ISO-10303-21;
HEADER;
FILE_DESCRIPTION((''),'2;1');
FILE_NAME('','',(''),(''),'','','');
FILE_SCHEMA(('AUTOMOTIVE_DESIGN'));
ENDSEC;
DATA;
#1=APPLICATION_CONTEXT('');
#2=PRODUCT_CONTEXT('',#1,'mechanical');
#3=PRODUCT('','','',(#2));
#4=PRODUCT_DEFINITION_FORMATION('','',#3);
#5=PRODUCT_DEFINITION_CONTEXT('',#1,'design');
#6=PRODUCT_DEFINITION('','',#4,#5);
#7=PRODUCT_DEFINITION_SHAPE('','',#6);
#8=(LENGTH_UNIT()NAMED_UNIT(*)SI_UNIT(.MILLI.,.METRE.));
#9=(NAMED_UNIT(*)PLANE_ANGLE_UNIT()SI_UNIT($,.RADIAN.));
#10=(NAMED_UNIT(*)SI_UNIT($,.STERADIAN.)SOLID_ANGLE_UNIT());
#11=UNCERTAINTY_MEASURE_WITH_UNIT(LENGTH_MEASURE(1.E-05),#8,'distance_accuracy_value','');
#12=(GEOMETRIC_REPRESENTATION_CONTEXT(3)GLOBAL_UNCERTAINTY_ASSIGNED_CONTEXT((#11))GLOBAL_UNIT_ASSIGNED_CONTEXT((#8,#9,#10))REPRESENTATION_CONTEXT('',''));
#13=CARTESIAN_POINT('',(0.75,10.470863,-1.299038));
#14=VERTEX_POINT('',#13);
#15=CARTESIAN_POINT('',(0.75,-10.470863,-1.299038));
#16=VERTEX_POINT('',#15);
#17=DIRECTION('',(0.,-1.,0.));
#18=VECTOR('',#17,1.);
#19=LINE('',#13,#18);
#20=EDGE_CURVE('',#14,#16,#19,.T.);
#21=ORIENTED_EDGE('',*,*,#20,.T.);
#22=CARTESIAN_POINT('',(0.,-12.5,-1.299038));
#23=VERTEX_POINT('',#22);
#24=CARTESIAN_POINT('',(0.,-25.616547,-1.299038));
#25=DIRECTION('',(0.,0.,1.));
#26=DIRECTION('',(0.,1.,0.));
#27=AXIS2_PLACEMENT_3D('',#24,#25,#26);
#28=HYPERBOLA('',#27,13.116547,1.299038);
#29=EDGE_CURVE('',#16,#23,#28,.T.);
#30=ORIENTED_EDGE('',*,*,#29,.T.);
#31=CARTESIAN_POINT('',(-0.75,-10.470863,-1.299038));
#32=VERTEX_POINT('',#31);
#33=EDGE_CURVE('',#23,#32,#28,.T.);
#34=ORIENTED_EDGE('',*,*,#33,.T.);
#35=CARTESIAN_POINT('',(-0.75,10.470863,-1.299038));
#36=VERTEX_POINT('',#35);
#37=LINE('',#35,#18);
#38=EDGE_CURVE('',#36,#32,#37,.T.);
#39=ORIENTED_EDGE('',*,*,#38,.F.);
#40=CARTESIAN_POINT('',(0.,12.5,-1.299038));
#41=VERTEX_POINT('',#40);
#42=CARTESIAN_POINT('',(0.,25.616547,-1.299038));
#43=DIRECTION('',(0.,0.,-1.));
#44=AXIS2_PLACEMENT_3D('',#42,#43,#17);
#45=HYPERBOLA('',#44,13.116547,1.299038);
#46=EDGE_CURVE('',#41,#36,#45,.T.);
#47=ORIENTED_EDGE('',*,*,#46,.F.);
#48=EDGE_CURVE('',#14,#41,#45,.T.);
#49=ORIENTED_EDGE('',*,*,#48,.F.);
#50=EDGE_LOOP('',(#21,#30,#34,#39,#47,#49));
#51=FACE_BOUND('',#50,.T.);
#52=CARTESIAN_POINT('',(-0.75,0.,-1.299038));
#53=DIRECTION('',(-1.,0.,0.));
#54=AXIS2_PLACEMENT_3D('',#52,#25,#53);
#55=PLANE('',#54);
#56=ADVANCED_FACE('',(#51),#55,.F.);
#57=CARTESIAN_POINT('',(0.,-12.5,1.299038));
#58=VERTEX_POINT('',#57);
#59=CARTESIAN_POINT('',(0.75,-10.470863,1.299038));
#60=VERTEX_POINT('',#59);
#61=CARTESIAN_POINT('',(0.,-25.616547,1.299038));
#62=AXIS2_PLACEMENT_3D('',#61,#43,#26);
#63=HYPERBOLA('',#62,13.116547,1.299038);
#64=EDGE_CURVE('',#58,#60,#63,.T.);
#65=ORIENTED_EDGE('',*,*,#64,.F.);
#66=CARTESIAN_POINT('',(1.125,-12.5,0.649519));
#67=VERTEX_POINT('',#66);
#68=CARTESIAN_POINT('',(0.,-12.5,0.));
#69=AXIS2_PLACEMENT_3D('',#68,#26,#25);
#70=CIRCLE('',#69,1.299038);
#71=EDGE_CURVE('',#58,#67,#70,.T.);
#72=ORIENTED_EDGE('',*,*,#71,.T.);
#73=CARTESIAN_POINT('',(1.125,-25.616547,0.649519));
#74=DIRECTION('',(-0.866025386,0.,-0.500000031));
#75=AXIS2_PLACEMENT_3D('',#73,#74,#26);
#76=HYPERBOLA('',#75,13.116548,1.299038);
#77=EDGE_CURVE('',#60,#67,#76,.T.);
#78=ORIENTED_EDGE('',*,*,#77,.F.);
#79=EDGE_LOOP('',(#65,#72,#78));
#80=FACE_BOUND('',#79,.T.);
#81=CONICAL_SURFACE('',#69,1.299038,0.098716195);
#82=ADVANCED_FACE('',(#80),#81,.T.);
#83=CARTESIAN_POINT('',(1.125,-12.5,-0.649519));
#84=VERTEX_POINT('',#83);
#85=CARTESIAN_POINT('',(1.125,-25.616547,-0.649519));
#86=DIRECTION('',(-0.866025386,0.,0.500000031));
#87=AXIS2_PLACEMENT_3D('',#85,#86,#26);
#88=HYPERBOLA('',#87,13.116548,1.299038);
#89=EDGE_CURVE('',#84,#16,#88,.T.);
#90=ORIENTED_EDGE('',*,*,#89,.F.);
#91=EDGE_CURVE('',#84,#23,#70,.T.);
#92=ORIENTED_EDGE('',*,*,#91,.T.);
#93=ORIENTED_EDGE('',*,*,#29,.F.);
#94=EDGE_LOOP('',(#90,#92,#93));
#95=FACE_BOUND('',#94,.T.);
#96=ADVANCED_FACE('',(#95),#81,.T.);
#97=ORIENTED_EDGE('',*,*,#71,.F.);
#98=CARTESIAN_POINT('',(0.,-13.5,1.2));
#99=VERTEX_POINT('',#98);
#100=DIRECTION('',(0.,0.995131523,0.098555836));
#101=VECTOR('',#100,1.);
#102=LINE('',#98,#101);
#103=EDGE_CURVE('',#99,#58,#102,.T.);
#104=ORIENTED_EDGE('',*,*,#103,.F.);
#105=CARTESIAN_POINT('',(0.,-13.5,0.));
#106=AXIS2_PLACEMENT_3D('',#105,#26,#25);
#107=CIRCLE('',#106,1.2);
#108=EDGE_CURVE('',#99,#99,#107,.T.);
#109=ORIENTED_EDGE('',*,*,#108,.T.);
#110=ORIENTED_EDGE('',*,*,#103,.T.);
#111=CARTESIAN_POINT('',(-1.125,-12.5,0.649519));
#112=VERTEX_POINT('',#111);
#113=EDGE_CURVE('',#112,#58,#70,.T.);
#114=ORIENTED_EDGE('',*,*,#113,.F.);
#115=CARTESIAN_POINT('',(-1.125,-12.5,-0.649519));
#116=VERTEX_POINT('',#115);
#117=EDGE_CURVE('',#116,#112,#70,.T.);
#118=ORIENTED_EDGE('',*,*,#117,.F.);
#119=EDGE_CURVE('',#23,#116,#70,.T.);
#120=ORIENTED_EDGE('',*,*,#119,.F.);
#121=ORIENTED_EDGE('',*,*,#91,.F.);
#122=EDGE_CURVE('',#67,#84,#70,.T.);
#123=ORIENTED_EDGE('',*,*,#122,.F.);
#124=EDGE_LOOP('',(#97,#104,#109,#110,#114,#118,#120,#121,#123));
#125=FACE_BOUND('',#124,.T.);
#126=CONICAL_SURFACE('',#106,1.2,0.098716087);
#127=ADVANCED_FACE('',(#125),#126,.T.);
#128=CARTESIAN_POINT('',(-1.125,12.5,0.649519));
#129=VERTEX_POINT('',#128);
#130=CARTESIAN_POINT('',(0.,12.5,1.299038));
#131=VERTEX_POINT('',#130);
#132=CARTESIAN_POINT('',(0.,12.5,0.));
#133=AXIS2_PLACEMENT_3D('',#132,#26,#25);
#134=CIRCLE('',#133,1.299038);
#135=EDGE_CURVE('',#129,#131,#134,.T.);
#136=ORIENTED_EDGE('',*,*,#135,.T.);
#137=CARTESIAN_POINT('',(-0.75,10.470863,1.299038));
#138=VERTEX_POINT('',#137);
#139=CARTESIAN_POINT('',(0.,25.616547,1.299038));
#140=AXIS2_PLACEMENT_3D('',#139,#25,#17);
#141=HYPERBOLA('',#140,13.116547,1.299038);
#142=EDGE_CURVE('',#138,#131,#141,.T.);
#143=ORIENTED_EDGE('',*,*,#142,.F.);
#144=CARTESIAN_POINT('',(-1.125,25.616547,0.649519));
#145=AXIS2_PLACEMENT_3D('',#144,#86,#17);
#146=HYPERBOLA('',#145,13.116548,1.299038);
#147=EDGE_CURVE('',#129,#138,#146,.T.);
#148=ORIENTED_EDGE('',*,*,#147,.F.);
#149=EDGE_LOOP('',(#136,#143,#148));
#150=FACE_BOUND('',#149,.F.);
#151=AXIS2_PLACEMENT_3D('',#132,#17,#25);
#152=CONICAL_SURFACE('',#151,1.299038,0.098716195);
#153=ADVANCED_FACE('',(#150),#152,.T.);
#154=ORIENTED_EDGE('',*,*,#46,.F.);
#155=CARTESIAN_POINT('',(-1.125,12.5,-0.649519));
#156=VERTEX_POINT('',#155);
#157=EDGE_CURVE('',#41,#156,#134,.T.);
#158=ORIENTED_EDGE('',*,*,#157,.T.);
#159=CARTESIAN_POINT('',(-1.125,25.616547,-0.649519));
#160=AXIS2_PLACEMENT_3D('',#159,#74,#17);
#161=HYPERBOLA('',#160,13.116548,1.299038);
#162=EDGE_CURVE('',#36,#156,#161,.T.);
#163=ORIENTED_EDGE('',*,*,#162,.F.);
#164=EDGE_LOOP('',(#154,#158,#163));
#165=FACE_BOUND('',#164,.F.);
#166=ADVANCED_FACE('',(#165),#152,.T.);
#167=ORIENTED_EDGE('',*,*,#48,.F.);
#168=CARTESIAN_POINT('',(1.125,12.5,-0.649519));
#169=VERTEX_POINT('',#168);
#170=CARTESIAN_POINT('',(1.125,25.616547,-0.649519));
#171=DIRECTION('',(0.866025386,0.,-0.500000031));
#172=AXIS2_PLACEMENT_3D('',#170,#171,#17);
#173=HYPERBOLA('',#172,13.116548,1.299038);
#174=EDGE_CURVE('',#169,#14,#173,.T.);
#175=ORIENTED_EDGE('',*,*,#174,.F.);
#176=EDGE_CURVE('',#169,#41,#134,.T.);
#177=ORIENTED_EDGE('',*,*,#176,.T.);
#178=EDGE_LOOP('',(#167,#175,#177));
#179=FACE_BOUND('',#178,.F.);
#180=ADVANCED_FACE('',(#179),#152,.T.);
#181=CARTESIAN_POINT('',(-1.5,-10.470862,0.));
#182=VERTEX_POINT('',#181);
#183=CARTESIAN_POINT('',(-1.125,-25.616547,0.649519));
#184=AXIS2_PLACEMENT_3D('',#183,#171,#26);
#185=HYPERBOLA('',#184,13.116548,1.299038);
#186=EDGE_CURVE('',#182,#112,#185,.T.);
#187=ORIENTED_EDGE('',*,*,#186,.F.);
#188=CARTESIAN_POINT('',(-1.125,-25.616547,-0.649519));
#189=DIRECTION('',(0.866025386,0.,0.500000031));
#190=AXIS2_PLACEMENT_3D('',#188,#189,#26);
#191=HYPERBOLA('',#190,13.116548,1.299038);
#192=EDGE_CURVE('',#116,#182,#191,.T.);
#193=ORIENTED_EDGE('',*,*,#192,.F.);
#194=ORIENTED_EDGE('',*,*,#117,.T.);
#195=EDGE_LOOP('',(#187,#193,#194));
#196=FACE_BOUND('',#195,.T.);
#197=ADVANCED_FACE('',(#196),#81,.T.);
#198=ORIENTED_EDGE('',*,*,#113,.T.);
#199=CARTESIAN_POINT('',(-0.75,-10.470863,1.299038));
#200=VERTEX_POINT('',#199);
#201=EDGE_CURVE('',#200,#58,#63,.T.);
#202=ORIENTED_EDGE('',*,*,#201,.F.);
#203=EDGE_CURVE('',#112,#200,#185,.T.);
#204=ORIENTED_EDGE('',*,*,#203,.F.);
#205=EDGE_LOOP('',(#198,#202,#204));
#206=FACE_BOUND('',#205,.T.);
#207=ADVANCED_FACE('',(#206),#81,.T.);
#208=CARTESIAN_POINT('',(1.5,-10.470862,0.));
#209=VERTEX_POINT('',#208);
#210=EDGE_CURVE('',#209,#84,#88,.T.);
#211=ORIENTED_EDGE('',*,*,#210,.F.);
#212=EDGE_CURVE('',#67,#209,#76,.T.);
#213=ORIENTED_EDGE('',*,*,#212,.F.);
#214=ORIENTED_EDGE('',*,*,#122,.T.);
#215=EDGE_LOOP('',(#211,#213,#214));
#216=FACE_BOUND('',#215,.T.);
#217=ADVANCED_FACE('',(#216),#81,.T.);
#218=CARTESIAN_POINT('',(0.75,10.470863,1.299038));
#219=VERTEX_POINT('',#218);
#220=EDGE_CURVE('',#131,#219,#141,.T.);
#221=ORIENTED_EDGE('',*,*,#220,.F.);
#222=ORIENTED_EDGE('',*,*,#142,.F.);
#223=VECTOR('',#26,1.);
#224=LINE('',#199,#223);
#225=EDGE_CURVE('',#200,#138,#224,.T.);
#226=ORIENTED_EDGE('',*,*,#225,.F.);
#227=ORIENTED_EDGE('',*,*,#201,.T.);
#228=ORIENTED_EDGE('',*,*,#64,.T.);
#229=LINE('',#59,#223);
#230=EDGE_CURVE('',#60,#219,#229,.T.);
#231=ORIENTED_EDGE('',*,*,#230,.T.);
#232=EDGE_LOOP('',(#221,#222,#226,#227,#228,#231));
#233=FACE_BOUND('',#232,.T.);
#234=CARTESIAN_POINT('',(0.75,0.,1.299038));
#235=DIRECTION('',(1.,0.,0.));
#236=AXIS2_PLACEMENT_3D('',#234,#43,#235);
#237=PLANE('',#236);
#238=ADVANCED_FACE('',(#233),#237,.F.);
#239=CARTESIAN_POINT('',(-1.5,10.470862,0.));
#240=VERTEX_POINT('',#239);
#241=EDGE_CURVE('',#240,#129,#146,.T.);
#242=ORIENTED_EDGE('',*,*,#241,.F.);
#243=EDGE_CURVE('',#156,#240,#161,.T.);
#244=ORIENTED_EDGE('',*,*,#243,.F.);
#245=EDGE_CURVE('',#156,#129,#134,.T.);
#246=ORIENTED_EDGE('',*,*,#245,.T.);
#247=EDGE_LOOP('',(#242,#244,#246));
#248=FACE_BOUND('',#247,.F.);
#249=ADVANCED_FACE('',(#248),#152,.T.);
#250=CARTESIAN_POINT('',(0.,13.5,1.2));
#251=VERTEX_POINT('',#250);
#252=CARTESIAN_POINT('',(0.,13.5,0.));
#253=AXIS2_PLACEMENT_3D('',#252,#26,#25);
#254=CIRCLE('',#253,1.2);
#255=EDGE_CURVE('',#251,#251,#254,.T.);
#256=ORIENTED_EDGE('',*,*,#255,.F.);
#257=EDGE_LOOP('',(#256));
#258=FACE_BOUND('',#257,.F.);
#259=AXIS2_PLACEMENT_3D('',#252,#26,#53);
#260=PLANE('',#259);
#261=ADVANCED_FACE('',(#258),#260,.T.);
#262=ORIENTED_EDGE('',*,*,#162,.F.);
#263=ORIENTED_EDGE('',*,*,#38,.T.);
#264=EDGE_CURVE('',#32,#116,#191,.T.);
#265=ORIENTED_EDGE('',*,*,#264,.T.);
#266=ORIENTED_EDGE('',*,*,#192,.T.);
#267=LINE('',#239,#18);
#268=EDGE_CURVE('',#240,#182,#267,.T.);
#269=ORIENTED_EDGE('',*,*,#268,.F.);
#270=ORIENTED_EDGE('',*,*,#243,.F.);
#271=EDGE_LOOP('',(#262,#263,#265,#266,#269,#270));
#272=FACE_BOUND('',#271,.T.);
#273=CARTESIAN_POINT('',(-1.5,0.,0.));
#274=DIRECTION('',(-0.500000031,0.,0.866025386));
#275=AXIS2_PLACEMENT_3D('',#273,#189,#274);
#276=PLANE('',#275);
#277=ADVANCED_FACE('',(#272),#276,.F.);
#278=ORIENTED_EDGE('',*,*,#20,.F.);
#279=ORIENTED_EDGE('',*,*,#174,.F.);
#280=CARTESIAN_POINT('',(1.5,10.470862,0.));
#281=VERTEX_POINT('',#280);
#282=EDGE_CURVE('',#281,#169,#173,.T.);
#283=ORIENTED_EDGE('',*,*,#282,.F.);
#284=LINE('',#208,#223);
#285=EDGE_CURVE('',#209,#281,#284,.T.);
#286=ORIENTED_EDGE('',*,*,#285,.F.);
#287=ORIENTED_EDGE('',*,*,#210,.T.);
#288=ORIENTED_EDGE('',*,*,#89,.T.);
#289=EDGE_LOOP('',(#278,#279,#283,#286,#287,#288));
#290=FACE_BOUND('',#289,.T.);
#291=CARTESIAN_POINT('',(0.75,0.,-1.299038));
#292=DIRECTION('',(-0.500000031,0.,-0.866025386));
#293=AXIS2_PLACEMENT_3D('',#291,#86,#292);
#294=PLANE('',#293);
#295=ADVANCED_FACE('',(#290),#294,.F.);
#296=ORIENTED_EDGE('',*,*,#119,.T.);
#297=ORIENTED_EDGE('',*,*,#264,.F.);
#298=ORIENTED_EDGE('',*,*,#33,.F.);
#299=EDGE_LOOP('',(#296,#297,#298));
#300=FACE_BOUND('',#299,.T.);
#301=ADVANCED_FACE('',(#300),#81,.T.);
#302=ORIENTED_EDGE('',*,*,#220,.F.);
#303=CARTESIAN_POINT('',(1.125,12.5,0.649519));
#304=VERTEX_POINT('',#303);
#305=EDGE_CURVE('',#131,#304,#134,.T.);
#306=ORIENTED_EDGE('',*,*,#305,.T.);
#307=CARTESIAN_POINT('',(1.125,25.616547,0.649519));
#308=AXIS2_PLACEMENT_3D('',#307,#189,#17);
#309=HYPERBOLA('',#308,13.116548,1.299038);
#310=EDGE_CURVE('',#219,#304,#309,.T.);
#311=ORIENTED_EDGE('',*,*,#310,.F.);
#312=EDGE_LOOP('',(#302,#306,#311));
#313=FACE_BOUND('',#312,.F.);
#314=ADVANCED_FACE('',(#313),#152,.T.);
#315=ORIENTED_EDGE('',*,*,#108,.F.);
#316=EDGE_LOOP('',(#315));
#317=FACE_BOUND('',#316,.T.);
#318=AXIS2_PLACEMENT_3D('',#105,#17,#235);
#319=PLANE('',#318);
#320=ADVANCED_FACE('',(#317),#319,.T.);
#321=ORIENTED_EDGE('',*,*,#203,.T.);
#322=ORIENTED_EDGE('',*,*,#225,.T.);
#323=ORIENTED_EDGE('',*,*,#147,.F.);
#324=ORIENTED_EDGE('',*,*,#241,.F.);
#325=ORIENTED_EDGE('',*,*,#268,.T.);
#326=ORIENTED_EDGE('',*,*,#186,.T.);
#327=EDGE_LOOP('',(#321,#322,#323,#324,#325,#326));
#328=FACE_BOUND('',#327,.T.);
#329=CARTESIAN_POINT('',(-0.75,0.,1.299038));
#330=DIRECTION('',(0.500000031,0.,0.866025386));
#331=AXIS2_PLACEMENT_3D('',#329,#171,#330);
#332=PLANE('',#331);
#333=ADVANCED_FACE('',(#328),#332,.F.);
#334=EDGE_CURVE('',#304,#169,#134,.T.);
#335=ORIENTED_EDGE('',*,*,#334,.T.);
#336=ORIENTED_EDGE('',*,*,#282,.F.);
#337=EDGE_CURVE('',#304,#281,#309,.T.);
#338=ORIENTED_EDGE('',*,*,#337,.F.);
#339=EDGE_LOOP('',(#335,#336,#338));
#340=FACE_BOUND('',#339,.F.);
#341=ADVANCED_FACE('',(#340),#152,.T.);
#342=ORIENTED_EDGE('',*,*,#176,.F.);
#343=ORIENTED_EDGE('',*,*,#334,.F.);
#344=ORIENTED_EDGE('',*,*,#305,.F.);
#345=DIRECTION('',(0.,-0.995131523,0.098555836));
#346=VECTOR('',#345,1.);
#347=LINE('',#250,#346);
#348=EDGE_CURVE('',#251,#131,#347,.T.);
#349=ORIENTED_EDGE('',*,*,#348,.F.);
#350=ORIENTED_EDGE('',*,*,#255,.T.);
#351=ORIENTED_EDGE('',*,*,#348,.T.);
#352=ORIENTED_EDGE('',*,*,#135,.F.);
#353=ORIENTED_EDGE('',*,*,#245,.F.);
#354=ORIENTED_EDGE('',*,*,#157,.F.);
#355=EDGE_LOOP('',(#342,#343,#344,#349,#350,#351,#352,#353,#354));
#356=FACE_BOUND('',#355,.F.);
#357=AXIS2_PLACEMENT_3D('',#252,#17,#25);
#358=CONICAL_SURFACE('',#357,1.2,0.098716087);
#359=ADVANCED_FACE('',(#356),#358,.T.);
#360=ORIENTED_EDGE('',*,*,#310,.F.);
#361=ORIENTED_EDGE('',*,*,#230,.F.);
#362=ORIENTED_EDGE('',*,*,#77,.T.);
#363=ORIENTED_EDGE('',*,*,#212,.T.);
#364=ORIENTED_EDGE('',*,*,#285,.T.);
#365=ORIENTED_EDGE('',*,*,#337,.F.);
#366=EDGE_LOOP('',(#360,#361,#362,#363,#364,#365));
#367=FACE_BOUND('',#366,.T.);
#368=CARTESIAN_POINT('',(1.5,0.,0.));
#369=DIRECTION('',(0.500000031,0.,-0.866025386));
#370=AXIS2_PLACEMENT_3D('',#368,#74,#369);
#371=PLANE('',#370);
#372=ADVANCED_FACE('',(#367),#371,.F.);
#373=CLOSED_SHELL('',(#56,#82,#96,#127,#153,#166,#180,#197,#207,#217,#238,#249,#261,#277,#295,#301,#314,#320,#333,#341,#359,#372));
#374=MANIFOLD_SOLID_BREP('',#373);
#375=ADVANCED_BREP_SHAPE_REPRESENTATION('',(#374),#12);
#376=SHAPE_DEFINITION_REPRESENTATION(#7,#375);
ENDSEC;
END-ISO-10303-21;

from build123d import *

# Parameters (mm, degrees)
F1_DEPTH = 13.5


with BuildPart() as f1:
    # F0 (on Front) → F1 (new body)
    with BuildSketch(Plane.XZ):
        Polygon((-0.75, 1.299038), (-1.5, 0), (-0.75, -1.299038), (0.75, -1.299038), (1.5, 0), (0.75, 1.299038), align=None)
    extrude(amount=F1_DEPTH)

    # F2 (on Right) → F3 (revolve, cut)
    with BuildSketch(Plane.YZ):
        Polygon((-15.530407, 0.998912), (-13.5, 1.2), (-12.5, 1.299038), (-0.627136, 2.474904), (-15.530407, 2.474904), align=None)
    revolve(axis=Axis((0, 7.533245, 0), (0, 1, 0)), mode=Mode.SUBTRACT)

    # F4: F1 across plane


with BuildPart() as f1_1:
    add(f1.part)
    add(f1.part.mirror(Plane.XZ))


solid = f1_1.part
